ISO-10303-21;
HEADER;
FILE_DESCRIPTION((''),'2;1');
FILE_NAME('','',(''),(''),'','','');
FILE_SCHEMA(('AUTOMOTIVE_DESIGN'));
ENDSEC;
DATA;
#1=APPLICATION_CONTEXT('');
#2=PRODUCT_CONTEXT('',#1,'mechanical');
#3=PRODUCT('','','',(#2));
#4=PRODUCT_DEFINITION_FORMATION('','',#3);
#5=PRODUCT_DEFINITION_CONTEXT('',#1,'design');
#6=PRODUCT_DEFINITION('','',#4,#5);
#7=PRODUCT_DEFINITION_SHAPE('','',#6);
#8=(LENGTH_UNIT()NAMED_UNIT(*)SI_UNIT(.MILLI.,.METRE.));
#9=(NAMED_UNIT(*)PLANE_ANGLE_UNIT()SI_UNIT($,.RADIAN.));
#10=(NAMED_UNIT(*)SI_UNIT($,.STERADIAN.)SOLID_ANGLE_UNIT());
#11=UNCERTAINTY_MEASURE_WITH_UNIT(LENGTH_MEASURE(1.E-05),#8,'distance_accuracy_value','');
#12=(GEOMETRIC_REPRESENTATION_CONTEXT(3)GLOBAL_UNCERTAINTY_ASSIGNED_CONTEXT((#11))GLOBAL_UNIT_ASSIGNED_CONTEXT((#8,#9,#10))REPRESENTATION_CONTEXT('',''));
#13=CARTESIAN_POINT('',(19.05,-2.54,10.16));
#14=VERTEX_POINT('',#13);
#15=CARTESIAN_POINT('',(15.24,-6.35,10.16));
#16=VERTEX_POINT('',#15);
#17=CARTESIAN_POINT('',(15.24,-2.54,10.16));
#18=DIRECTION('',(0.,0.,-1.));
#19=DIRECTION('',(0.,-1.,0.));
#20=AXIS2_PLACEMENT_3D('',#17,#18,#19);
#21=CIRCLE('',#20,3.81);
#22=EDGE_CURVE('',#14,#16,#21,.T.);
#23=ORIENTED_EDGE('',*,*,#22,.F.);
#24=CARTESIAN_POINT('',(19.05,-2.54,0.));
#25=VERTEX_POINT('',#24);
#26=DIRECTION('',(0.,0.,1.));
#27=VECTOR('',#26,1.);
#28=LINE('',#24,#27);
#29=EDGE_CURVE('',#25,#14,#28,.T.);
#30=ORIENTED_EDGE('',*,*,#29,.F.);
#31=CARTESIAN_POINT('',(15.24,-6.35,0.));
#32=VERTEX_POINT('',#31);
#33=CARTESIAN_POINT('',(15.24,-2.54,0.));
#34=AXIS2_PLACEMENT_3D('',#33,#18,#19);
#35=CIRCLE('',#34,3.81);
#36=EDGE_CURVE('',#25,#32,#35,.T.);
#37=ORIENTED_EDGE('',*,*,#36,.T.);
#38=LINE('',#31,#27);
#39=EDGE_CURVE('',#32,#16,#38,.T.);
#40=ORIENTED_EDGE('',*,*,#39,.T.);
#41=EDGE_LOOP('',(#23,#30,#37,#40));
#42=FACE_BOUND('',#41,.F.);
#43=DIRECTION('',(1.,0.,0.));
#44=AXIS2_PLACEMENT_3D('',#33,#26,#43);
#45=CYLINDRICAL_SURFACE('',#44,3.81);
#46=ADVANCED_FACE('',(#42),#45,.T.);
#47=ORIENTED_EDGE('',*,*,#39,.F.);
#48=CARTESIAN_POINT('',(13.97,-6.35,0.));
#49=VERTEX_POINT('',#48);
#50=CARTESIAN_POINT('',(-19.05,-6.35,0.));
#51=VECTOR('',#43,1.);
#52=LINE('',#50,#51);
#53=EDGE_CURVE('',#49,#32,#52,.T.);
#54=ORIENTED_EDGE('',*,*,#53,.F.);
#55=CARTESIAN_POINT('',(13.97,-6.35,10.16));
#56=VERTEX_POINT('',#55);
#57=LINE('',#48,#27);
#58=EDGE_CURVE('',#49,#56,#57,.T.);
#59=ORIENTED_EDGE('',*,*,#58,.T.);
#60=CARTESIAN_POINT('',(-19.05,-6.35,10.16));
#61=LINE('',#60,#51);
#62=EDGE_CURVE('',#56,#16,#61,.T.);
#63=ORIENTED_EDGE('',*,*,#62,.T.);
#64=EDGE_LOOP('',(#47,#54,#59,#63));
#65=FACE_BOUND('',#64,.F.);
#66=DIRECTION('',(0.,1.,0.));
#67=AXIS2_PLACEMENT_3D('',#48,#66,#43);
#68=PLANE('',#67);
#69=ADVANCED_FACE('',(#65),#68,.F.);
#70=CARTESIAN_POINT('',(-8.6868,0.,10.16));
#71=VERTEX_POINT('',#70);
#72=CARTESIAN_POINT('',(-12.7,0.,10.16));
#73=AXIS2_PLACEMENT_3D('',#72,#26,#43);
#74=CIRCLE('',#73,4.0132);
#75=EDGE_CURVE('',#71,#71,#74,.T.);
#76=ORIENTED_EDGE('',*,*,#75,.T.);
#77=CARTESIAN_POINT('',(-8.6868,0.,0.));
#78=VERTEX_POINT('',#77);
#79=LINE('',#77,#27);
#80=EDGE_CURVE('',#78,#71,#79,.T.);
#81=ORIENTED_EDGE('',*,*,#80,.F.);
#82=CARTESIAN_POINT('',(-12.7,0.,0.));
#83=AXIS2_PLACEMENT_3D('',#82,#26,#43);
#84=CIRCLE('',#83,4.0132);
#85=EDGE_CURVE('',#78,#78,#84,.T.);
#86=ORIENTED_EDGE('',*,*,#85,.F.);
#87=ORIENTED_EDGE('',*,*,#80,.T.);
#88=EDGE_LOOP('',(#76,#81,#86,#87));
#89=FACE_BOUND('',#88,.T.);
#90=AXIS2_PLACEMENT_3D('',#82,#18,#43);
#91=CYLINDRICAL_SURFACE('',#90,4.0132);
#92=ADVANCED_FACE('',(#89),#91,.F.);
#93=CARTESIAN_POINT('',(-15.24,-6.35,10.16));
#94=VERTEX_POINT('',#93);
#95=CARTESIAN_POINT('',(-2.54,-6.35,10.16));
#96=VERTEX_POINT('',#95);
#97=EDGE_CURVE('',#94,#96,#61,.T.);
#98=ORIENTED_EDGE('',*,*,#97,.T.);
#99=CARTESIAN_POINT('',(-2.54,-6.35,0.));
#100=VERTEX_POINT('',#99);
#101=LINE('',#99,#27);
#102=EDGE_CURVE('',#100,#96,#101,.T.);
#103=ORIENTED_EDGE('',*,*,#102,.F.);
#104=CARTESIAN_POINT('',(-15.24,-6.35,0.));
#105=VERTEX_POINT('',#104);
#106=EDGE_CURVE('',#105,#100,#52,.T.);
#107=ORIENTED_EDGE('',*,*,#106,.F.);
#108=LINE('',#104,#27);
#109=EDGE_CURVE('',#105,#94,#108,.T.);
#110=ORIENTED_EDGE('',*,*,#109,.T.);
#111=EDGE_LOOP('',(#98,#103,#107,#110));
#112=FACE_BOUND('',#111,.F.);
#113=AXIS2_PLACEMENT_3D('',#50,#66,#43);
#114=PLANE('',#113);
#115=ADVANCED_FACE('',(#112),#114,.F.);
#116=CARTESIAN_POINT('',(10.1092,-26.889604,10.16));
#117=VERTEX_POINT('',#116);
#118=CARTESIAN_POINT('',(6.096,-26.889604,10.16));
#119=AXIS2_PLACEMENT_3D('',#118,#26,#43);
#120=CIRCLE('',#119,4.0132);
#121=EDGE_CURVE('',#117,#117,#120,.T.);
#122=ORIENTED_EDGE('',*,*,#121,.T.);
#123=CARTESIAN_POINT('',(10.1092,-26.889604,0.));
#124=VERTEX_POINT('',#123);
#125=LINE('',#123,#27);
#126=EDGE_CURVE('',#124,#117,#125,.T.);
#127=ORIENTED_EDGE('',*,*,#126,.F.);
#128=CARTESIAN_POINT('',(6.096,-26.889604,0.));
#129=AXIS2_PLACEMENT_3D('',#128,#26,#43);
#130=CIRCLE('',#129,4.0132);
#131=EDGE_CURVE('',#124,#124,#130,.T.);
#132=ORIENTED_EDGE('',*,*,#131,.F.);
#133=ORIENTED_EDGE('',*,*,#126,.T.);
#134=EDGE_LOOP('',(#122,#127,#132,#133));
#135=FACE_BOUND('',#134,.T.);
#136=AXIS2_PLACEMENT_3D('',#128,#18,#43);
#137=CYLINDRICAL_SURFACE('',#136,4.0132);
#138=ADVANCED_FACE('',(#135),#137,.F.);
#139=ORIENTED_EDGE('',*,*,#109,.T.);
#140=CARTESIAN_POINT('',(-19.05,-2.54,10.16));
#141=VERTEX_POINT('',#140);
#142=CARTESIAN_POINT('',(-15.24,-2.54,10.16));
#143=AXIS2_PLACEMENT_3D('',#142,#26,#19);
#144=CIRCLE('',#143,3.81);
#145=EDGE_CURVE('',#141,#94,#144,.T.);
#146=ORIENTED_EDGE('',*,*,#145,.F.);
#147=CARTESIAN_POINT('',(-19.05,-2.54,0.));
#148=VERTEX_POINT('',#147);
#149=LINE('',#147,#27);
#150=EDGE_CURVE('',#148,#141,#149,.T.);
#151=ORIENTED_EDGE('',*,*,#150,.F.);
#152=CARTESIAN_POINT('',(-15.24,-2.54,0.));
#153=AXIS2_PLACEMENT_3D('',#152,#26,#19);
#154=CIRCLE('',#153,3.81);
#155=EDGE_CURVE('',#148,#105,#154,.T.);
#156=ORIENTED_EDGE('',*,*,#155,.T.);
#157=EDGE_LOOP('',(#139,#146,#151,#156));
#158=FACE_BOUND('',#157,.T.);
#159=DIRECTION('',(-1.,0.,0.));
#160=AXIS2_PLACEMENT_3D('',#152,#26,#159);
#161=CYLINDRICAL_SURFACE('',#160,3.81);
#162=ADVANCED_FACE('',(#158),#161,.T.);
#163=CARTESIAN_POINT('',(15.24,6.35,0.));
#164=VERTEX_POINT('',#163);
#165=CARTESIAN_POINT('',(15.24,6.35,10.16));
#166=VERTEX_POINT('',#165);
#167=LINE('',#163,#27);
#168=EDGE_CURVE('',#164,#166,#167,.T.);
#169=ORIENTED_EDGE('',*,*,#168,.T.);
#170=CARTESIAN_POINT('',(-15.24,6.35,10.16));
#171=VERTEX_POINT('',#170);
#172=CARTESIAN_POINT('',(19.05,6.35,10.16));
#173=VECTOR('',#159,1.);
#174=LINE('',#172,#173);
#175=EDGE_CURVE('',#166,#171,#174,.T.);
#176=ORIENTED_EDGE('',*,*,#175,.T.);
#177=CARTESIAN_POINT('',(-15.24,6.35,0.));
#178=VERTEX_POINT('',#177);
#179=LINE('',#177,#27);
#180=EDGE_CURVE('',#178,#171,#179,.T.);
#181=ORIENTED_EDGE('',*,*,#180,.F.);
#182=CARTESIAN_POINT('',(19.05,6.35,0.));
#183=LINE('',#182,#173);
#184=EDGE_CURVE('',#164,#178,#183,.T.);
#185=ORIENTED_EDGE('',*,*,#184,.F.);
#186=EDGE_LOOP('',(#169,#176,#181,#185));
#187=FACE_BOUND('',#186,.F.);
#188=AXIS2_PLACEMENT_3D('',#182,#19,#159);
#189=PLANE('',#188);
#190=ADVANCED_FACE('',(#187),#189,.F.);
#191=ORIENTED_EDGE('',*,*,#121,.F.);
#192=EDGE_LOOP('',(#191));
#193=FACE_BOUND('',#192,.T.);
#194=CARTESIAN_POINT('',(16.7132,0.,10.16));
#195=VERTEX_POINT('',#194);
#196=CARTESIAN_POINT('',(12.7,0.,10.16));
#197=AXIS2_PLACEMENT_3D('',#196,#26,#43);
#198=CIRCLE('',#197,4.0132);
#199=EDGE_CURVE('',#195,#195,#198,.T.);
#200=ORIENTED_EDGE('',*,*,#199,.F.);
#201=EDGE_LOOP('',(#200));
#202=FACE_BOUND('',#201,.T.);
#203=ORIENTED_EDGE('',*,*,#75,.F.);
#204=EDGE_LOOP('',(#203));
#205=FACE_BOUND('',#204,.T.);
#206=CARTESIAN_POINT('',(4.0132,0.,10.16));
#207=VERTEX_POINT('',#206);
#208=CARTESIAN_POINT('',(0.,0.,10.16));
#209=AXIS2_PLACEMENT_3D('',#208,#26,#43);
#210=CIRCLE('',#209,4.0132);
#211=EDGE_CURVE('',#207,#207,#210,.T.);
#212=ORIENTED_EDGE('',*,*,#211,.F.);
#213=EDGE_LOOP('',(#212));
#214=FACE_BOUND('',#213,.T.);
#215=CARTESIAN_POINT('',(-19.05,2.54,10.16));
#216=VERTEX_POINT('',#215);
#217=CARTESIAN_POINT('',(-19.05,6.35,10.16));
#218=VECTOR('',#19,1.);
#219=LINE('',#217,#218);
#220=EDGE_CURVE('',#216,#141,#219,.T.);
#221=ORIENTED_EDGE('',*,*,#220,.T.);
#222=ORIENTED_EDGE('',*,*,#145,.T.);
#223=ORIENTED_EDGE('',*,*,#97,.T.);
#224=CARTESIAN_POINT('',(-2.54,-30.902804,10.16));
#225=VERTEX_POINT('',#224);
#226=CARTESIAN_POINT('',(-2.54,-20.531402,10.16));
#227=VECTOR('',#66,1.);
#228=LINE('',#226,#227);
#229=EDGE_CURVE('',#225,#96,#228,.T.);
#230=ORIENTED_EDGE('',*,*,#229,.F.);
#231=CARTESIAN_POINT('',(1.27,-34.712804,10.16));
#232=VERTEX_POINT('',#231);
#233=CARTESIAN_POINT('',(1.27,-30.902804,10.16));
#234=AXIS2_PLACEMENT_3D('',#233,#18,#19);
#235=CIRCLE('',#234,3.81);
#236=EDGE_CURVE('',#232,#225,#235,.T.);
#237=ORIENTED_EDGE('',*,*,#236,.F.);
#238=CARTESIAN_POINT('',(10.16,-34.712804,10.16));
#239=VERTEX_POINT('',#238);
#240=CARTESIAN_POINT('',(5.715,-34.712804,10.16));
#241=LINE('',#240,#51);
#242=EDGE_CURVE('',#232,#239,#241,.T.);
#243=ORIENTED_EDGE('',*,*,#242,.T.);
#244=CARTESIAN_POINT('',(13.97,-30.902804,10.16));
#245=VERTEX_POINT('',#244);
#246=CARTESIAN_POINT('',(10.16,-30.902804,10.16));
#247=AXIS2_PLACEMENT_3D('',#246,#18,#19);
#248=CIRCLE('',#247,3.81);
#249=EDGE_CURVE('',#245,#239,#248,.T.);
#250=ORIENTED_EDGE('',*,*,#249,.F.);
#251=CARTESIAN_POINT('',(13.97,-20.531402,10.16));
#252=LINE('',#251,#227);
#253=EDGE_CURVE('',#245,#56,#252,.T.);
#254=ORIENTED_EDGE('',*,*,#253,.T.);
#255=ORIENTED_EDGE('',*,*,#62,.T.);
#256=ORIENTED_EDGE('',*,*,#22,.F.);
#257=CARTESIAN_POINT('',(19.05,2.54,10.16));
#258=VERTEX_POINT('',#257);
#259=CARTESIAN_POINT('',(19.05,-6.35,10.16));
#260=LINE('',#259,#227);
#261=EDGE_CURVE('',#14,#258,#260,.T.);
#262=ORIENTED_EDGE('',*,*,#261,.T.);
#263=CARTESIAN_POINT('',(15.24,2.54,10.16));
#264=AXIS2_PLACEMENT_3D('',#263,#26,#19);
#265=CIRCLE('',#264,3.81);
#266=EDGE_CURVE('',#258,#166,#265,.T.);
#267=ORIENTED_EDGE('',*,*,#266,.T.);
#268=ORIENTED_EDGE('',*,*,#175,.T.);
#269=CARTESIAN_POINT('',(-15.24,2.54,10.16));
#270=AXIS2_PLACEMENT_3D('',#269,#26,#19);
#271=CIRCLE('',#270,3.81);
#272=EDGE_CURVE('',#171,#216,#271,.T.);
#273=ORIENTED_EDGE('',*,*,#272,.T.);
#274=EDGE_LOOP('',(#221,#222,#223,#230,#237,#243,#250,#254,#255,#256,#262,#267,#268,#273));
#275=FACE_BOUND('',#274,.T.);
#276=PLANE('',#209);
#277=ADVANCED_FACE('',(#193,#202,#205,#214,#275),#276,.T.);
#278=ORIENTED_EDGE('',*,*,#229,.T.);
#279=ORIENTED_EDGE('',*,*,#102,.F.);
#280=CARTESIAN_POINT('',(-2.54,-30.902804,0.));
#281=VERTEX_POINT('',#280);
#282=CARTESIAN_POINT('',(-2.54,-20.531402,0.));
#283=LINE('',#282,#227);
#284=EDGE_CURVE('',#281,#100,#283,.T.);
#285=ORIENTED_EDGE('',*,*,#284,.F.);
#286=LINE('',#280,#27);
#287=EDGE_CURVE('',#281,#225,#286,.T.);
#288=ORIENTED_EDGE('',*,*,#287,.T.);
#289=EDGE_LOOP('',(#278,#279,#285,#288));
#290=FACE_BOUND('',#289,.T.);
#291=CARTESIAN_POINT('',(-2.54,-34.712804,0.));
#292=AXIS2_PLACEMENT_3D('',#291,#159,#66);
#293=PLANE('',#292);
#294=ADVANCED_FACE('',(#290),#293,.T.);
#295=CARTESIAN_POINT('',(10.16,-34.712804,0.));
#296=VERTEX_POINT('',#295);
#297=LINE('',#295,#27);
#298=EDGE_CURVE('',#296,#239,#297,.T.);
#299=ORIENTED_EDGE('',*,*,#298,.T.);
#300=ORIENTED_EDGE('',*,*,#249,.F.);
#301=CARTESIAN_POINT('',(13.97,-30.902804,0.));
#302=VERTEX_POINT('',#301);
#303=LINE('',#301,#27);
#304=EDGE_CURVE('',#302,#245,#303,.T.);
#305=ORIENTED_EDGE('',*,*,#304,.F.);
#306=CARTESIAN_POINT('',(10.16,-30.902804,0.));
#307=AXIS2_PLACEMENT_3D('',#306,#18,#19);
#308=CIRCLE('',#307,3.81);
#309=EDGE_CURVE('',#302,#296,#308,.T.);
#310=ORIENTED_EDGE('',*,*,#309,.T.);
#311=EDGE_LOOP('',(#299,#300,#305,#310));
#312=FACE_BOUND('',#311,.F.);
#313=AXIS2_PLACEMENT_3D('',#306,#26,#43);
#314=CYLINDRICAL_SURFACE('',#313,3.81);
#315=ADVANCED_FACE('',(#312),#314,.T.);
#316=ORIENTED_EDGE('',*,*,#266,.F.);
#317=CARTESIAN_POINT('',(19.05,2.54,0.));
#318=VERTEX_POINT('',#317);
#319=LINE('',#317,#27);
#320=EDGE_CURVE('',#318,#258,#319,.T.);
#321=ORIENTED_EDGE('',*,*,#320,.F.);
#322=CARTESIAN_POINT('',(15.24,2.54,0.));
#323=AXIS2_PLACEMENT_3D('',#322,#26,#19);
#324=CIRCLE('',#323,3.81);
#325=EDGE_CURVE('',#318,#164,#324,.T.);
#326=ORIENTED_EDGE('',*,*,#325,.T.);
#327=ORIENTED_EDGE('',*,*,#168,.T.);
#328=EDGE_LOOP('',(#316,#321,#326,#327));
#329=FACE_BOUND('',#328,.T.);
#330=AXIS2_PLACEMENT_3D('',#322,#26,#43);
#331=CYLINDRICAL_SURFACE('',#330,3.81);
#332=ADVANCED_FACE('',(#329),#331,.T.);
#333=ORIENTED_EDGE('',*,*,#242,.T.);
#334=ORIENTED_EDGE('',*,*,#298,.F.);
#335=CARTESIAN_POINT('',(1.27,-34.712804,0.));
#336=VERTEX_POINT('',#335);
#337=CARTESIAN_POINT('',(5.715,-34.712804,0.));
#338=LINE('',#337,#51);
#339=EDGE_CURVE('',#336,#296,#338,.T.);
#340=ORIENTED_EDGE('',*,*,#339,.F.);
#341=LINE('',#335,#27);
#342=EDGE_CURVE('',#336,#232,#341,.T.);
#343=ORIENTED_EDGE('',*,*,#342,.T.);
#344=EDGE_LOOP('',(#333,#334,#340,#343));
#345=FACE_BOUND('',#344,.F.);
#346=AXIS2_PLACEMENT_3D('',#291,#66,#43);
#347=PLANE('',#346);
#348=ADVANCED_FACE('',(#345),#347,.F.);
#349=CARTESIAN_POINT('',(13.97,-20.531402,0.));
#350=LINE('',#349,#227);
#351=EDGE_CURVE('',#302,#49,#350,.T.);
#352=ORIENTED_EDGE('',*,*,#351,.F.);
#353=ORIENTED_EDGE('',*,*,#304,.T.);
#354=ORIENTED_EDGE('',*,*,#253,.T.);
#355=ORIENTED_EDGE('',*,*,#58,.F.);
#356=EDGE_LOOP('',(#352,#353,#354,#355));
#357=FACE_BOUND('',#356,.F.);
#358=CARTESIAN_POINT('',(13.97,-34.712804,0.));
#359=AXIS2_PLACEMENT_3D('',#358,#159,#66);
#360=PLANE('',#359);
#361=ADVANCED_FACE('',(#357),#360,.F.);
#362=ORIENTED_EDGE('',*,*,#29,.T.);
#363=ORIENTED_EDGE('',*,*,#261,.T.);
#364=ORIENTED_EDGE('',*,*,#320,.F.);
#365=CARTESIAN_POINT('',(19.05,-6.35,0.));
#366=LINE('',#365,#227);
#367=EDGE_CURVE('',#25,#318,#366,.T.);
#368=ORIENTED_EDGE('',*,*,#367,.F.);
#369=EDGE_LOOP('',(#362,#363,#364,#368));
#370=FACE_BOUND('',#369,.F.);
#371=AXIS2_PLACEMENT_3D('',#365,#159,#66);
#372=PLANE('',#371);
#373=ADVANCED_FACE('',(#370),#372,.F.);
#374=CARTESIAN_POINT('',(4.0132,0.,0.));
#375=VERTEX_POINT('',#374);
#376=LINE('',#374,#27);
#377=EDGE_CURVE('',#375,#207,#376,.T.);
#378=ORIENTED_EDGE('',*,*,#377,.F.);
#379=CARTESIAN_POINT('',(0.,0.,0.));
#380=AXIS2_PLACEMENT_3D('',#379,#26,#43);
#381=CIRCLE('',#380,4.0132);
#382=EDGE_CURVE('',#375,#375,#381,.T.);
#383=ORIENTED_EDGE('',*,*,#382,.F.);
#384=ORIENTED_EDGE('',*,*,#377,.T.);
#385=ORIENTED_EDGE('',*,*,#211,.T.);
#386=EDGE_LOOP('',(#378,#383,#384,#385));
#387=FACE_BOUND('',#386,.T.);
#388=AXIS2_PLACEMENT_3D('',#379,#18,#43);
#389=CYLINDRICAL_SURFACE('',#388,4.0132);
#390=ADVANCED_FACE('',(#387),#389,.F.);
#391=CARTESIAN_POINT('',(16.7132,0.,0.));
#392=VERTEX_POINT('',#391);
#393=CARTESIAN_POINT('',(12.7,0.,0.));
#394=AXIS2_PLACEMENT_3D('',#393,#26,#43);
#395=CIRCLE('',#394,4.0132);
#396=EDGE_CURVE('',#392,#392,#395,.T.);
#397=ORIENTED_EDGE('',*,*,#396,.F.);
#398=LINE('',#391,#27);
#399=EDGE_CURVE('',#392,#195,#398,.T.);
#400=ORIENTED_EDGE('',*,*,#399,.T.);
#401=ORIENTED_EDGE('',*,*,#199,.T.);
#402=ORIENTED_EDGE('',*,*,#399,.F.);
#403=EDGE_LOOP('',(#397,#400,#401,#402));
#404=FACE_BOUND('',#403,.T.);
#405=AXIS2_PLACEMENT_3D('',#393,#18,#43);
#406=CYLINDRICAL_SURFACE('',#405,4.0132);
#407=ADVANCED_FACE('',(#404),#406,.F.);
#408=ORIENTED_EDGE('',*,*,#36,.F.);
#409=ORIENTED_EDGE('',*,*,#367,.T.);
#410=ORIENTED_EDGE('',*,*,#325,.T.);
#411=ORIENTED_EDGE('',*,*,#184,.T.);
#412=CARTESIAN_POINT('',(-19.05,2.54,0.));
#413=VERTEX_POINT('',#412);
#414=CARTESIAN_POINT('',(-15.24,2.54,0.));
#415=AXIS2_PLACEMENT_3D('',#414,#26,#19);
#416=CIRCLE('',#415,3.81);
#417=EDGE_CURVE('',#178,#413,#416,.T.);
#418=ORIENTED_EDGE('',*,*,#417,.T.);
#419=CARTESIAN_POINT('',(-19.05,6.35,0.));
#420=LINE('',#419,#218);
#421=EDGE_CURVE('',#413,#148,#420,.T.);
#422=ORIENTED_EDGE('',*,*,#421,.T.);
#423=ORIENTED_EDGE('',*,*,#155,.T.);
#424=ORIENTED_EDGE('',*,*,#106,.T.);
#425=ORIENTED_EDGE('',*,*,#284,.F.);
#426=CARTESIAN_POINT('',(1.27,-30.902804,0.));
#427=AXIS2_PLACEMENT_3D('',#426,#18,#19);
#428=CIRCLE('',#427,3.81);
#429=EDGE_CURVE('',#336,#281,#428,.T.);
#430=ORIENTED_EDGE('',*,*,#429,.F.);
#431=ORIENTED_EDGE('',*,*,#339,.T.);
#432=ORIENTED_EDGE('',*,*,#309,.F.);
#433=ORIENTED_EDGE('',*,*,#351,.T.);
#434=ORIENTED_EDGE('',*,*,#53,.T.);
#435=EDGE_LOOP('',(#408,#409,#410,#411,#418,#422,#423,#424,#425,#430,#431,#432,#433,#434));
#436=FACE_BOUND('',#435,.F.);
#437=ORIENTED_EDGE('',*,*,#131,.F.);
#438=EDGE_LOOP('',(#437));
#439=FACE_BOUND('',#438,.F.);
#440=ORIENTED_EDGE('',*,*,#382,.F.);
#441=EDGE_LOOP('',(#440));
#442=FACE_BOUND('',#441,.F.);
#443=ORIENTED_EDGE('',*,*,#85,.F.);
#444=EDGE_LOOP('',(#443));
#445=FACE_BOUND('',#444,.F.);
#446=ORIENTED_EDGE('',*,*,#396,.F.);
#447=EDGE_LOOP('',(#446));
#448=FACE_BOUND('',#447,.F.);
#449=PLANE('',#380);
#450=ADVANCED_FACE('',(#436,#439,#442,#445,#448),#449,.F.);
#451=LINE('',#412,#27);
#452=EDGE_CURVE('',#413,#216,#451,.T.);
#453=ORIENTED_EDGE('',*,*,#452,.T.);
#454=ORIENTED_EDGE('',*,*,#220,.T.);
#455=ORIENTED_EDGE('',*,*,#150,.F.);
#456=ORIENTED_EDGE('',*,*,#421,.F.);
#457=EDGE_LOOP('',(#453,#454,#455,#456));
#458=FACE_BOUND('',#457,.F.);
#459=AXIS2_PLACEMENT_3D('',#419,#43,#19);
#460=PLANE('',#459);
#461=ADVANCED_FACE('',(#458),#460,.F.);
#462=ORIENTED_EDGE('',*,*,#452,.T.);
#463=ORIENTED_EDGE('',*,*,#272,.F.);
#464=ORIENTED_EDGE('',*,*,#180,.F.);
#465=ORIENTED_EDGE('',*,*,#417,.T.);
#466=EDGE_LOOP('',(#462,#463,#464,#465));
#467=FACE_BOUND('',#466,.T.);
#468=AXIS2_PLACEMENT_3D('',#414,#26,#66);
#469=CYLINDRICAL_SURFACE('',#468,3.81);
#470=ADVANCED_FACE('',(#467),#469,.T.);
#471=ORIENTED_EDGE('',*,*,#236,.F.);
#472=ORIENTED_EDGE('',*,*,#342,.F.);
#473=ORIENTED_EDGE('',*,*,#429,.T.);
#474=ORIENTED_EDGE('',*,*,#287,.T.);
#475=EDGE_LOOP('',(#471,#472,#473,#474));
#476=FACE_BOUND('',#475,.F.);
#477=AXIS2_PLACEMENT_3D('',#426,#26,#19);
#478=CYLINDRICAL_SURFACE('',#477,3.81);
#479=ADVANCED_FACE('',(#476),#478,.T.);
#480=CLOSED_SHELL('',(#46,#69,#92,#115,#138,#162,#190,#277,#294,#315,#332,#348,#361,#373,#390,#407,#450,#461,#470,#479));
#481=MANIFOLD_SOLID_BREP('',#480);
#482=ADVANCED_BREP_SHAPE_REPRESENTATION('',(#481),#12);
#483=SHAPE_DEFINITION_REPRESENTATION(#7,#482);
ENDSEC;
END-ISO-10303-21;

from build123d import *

# Parameters (mm, degrees)
F0_R     = 4.0132
F0_W     = 16.51
F0_H     = 28.362804
F1_DEPTH = 10.16
F2_R     = 3.81


with BuildPart() as f1:
    # F0 (on Top) → F1 (new body)
    with BuildSketch(Plane.XY):
        Polygon((13.97, -6.35), (19.05, -6.35), (19.05, 6.35), (-19.05, 6.35), (-19.05, -6.35), (-2.54, -6.35), align=None)
        with Locations((-12.7, 0)):
            Circle(F0_R, mode=Mode.SUBTRACT)
        Circle(F0_R, mode=Mode.SUBTRACT)
        with Locations((12.7, 0)):
            Circle(F0_R, mode=Mode.SUBTRACT)
        with Locations((5.715, -20.531402)):
            Rectangle(F0_W, F0_H)
        with Locations((6.096, -26.889604)):
            Circle(F0_R, mode=Mode.SUBTRACT)
    extrude(amount=F1_DEPTH)

    # F2
    f2_edges = [f1.edges().sort_by_distance(p)[0] for p in [
        (-2.54, -34.712804, 5.08),
        (13.97, -34.712804, 5.08),
        (19.05, -6.35, 5.08),
        (19.05, 6.35, 5.08),
        (-19.05, -6.35, 5.08),
        (-19.05, 6.35, 5.08),
    ]]
    fillet(f2_edges, radius=F2_R)


solid = f1.part
